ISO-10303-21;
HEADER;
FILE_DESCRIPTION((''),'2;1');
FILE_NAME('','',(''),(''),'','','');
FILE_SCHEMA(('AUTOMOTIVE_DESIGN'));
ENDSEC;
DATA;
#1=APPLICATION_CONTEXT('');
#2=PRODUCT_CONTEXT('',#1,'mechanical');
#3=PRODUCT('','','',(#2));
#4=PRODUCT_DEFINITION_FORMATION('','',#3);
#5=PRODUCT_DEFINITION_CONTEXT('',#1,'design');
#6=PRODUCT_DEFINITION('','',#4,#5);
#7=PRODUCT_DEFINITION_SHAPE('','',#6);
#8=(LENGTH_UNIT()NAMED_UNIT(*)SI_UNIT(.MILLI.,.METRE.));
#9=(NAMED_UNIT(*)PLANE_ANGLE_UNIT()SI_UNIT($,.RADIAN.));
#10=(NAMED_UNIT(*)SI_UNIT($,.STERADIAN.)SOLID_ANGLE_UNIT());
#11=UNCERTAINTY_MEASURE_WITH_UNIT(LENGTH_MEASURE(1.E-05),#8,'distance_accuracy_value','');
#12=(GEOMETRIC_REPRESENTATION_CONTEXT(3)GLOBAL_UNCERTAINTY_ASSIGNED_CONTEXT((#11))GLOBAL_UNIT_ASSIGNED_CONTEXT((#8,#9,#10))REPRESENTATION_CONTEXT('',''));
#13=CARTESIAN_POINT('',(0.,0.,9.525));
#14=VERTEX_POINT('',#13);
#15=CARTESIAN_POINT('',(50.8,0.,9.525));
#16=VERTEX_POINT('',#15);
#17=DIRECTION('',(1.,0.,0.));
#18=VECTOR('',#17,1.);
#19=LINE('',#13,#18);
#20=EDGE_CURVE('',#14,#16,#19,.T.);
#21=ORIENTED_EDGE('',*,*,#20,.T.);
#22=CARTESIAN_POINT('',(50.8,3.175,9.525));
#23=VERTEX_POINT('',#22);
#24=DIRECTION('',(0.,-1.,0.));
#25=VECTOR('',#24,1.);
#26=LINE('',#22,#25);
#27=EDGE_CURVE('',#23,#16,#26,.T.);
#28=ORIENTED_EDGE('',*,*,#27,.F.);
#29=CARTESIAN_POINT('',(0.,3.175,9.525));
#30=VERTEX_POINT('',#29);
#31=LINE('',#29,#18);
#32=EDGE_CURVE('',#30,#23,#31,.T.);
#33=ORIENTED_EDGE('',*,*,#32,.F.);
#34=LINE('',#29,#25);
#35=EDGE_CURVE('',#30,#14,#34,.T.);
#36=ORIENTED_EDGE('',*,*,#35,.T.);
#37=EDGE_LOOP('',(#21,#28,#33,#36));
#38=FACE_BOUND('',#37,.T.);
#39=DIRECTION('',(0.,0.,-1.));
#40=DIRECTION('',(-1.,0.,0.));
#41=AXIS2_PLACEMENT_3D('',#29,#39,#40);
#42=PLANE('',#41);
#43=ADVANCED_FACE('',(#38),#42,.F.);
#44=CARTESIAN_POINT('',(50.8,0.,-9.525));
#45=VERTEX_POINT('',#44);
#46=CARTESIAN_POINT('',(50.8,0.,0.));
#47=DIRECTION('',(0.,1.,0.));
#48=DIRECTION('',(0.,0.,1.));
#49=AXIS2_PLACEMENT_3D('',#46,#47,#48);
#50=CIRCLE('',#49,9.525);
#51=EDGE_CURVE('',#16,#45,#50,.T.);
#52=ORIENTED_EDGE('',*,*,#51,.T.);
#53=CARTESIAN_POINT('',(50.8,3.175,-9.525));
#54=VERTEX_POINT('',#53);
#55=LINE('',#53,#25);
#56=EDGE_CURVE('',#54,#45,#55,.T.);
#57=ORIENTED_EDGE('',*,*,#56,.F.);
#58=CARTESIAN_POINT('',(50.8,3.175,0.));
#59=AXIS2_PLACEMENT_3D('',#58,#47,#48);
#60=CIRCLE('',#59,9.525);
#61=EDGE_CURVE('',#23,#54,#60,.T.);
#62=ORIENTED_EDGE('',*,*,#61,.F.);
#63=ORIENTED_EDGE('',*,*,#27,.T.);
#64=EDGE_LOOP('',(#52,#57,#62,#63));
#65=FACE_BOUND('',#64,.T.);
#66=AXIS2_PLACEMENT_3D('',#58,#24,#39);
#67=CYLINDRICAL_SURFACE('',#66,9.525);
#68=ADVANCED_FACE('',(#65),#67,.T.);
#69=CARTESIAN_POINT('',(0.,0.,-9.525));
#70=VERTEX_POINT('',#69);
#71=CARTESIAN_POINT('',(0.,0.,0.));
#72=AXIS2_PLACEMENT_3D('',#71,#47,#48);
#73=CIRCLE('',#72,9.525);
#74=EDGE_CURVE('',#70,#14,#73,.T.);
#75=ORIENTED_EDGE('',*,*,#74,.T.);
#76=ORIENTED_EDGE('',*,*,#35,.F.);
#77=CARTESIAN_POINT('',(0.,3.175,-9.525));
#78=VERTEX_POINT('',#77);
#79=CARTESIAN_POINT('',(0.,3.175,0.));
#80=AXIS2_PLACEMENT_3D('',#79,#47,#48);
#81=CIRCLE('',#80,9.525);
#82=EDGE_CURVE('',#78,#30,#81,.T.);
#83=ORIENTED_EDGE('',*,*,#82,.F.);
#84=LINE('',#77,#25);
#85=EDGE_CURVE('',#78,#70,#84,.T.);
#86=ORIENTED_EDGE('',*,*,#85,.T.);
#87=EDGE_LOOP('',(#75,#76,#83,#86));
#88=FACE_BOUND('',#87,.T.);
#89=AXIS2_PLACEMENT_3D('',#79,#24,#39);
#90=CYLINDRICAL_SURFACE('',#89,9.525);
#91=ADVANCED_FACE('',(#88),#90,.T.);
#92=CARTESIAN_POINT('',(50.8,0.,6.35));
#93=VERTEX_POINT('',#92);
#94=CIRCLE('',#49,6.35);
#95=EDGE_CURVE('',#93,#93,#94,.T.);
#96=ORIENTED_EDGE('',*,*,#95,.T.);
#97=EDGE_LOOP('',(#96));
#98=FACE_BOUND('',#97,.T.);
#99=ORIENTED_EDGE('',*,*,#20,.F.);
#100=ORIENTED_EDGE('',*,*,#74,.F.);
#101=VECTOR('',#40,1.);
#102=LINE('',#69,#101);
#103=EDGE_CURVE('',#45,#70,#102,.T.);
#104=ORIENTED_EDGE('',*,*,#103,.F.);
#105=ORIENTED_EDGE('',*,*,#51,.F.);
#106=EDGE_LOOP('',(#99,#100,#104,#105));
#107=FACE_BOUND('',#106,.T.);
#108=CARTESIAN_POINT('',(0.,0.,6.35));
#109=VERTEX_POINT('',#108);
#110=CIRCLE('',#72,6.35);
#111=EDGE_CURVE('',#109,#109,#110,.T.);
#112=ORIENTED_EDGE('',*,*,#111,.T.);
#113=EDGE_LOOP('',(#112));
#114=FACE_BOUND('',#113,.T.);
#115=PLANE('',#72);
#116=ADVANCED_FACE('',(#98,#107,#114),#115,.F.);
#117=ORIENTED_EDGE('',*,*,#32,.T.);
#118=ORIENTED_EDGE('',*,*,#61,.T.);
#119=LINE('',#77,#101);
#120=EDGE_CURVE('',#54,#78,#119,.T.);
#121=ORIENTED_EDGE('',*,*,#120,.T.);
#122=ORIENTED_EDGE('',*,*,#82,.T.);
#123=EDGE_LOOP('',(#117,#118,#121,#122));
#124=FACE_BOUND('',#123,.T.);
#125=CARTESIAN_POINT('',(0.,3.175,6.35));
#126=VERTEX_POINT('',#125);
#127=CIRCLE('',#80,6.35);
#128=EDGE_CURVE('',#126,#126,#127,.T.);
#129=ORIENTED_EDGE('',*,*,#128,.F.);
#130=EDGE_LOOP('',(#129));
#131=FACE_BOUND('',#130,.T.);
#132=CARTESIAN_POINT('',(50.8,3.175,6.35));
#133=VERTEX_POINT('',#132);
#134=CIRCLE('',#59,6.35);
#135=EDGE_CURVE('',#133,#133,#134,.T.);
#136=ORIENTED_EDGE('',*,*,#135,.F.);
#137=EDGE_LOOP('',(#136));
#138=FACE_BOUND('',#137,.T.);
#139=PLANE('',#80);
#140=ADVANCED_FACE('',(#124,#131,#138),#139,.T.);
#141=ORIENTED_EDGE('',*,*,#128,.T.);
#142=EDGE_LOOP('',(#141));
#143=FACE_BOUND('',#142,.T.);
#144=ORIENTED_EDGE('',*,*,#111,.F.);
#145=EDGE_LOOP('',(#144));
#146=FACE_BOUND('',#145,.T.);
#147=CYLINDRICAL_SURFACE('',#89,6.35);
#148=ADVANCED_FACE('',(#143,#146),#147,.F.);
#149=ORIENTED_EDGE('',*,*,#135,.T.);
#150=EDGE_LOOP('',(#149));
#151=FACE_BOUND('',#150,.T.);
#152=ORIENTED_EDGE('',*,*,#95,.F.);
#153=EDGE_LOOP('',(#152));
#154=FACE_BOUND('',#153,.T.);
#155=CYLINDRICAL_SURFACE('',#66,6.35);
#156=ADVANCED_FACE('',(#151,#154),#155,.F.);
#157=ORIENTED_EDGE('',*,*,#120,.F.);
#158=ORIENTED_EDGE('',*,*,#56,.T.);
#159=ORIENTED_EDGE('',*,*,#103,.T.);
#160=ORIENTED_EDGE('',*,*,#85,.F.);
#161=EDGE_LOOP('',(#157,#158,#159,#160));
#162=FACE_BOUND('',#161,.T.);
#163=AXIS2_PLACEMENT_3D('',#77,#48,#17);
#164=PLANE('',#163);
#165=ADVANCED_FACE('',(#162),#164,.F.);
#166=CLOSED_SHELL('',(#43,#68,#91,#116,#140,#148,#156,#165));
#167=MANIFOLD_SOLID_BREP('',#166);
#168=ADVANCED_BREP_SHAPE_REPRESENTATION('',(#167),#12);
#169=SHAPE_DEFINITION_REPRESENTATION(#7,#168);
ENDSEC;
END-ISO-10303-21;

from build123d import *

# Parameters (mm, degrees)
SKETCH2_R           = 6.35
BOSS_EXTRUDE1_DEPTH = 3.175


with BuildPart() as part:
    # Sketch2 → Boss-Extrude1 (new body)
    with BuildSketch(Plane(origin=(0, 0, 0), x_dir=(1, 0, 0), z_dir=(0, 1, 0))):
        with BuildLine():
            Line((0, 9.525), (50.8, 9.525))
            ThreePointArc((50.8, 9.525), (60.325, 0), (50.8, -9.525))
            Line((50.8, -9.525), (0, -9.525))
            ThreePointArc((0, -9.525), (-9.525, 0), (0, 9.525))
        make_face()
        with Locations(Location((0, 0, 0), (0, 0, 270))):
            Circle(SKETCH2_R, mode=Mode.SUBTRACT)
        with Locations(Location((50.8, 0, 0), (0, 0, 270))):
            Circle(SKETCH2_R, mode=Mode.SUBTRACT)
    extrude(amount=BOSS_EXTRUDE1_DEPTH)


solid = part.part
